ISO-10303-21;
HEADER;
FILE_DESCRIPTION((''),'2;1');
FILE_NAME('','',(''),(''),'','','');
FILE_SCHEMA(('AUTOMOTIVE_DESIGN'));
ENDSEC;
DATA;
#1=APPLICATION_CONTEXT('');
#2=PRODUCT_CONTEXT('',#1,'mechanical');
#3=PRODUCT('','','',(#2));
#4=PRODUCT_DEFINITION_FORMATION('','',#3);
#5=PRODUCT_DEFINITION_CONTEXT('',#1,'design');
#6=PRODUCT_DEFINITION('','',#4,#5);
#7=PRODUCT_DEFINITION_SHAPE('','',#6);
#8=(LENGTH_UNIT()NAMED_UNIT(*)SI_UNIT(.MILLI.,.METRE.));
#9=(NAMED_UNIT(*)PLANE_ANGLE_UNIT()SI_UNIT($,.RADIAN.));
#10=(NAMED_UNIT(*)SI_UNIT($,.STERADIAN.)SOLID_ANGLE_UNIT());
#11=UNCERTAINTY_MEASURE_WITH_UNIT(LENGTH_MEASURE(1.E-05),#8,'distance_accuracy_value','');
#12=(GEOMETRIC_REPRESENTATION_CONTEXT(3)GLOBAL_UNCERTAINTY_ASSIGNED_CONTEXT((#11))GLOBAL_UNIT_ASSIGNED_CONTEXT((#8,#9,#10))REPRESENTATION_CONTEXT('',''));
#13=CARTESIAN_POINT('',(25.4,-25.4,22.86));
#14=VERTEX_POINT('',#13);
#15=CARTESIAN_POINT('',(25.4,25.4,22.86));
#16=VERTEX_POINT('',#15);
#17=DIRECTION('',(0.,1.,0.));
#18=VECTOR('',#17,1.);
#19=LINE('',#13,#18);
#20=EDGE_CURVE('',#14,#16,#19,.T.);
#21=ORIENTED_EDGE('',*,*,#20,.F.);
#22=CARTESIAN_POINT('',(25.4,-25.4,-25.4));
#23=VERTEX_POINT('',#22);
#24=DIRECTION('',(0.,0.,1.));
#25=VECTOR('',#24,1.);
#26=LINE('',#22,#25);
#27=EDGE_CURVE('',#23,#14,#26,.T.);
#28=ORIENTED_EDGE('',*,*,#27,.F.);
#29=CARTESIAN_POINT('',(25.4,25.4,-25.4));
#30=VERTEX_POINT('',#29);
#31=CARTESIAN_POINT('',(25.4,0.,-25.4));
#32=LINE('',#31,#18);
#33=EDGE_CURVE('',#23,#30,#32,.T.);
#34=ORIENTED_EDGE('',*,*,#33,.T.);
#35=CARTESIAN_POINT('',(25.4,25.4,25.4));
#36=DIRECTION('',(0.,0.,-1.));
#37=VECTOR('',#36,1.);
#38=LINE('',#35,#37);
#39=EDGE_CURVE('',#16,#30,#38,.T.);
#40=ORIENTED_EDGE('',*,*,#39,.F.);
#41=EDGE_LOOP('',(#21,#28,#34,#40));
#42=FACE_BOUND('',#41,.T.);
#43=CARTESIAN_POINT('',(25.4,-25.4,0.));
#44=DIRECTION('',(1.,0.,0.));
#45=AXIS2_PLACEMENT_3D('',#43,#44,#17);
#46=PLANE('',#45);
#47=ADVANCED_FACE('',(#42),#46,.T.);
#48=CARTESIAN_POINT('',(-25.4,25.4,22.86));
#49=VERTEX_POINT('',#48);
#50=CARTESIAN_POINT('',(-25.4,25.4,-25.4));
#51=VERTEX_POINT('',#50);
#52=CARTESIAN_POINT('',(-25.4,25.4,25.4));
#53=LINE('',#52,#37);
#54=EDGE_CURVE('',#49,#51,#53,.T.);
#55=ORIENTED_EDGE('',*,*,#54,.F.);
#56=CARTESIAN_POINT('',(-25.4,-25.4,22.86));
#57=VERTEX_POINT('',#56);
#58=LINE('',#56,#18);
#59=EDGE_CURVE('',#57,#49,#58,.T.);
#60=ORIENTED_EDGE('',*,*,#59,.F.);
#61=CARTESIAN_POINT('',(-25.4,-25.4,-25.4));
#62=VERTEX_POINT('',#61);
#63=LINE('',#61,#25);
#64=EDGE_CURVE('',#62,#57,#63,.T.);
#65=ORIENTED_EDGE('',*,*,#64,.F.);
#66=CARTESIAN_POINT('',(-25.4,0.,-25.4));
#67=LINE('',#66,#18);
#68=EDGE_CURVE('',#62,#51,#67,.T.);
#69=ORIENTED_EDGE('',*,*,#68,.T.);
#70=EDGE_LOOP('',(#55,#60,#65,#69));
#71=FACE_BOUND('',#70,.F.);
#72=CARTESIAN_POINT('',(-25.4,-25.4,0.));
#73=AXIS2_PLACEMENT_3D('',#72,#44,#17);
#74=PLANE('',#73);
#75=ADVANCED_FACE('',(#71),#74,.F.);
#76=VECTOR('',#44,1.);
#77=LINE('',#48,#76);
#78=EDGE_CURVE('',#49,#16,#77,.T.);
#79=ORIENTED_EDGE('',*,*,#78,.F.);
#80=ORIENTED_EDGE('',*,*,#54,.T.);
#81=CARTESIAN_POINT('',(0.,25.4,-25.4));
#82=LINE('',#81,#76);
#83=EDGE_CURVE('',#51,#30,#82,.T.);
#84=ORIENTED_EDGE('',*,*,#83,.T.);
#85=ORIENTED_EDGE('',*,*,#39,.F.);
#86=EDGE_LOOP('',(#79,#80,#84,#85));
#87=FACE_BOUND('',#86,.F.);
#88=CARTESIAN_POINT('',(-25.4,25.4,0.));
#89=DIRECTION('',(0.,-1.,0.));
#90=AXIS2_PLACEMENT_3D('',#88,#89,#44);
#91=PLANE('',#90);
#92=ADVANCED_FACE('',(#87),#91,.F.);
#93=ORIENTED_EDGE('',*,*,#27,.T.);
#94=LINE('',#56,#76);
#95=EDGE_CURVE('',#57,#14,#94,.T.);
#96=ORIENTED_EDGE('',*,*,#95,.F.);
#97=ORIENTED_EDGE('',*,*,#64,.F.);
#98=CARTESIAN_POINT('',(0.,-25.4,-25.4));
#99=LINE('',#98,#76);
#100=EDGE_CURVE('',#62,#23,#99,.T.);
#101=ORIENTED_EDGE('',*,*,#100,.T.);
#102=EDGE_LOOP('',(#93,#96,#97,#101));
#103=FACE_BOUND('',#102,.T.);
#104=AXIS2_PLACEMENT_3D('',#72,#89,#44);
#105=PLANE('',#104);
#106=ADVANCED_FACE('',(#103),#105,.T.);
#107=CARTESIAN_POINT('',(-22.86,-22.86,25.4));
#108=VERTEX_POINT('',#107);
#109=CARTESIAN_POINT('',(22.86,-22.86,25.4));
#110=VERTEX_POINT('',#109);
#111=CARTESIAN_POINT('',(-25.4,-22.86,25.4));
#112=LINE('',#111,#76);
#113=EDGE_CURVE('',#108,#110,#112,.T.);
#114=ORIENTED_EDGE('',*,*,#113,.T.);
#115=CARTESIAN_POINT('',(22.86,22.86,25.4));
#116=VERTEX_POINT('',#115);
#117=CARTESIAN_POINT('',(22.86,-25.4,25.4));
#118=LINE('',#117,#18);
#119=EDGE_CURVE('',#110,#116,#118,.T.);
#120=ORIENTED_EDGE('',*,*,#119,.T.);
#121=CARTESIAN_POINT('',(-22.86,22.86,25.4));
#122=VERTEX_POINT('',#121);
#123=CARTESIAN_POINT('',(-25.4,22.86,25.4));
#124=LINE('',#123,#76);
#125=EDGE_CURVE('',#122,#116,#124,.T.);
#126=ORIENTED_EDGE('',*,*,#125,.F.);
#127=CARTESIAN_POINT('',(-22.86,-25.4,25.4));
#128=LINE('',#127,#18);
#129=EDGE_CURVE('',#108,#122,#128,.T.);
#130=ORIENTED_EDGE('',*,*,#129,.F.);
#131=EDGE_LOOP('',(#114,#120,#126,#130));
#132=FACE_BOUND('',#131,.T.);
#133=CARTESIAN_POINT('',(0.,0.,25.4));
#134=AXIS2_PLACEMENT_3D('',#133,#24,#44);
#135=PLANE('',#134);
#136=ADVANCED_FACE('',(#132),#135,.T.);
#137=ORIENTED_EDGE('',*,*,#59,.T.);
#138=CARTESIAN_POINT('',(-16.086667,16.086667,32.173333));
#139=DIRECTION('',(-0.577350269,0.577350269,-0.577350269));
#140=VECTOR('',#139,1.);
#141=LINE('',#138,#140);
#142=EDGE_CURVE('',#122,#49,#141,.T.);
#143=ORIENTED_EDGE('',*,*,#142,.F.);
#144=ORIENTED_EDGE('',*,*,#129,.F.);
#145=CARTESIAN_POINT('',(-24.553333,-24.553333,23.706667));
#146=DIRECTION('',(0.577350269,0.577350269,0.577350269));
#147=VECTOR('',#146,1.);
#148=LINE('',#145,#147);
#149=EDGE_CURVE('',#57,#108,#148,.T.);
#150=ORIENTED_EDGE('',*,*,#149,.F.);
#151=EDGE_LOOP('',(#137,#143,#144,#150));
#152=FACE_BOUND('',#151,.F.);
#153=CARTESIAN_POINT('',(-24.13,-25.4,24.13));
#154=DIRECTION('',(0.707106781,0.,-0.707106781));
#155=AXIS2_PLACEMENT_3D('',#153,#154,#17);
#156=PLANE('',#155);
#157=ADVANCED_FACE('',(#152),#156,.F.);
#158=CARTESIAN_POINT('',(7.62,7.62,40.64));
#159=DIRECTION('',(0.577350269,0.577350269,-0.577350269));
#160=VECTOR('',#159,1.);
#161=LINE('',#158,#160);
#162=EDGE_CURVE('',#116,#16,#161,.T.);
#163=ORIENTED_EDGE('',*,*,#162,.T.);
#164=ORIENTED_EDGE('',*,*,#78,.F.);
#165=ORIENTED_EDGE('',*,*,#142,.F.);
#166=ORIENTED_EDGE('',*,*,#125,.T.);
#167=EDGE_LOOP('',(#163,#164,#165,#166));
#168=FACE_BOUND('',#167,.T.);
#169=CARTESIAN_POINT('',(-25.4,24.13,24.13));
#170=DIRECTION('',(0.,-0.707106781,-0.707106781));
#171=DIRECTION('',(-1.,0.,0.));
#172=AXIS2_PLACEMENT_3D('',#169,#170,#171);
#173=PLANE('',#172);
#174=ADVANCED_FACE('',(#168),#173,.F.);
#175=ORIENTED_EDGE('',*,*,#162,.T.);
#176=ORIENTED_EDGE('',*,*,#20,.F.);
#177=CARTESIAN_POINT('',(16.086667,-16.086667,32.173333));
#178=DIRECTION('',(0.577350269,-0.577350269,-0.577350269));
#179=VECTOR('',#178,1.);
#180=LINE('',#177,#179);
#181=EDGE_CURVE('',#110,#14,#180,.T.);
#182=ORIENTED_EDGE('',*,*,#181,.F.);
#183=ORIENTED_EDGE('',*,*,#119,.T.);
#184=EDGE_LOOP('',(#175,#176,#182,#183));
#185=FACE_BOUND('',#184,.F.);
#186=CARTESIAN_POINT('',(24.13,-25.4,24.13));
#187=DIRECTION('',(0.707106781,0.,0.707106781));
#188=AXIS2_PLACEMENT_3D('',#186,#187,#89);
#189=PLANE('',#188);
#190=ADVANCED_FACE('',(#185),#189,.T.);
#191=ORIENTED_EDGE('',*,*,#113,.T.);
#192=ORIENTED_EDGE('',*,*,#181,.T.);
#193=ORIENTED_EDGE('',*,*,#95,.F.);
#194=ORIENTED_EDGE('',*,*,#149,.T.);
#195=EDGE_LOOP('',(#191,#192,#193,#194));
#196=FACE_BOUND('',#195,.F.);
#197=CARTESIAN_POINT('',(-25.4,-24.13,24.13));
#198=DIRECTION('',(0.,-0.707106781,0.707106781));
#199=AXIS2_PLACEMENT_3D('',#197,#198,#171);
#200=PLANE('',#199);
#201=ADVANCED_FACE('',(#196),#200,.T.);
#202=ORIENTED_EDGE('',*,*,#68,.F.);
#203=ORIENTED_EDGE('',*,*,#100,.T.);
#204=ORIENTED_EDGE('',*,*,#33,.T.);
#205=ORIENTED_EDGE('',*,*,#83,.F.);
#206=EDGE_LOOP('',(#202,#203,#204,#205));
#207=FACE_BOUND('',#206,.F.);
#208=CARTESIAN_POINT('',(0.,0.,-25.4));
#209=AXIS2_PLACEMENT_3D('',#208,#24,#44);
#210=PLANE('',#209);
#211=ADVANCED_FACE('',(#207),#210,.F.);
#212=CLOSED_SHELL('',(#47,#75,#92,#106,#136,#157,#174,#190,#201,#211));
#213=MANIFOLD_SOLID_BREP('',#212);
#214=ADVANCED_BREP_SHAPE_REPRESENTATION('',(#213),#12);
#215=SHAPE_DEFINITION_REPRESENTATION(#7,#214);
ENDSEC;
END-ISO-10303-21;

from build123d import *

# Parameters (mm, degrees)
F0_W     = 50.8
F0_H     = 50.8
F1_DEPTH = 25.4
F2_SIZE  = 2.54


with BuildPart() as f1:
    # F0 (on Top) → F1 (new body, symmetric)
    with BuildSketch(Plane.XY):
        Rectangle(F0_W, F0_H)
    extrude(amount=F1_DEPTH, both=True)

    # F2
    f2_edges = [f1.edges().sort_by_distance(p)[0] for p in [
        (0, 25.4, 25.4),
        (-25.4, 0, 25.4),
        (0, -25.4, 25.4),
        (25.4, 0, 25.4),
    ]]
    chamfer(f2_edges, length=F2_SIZE)


solid = f1.part
